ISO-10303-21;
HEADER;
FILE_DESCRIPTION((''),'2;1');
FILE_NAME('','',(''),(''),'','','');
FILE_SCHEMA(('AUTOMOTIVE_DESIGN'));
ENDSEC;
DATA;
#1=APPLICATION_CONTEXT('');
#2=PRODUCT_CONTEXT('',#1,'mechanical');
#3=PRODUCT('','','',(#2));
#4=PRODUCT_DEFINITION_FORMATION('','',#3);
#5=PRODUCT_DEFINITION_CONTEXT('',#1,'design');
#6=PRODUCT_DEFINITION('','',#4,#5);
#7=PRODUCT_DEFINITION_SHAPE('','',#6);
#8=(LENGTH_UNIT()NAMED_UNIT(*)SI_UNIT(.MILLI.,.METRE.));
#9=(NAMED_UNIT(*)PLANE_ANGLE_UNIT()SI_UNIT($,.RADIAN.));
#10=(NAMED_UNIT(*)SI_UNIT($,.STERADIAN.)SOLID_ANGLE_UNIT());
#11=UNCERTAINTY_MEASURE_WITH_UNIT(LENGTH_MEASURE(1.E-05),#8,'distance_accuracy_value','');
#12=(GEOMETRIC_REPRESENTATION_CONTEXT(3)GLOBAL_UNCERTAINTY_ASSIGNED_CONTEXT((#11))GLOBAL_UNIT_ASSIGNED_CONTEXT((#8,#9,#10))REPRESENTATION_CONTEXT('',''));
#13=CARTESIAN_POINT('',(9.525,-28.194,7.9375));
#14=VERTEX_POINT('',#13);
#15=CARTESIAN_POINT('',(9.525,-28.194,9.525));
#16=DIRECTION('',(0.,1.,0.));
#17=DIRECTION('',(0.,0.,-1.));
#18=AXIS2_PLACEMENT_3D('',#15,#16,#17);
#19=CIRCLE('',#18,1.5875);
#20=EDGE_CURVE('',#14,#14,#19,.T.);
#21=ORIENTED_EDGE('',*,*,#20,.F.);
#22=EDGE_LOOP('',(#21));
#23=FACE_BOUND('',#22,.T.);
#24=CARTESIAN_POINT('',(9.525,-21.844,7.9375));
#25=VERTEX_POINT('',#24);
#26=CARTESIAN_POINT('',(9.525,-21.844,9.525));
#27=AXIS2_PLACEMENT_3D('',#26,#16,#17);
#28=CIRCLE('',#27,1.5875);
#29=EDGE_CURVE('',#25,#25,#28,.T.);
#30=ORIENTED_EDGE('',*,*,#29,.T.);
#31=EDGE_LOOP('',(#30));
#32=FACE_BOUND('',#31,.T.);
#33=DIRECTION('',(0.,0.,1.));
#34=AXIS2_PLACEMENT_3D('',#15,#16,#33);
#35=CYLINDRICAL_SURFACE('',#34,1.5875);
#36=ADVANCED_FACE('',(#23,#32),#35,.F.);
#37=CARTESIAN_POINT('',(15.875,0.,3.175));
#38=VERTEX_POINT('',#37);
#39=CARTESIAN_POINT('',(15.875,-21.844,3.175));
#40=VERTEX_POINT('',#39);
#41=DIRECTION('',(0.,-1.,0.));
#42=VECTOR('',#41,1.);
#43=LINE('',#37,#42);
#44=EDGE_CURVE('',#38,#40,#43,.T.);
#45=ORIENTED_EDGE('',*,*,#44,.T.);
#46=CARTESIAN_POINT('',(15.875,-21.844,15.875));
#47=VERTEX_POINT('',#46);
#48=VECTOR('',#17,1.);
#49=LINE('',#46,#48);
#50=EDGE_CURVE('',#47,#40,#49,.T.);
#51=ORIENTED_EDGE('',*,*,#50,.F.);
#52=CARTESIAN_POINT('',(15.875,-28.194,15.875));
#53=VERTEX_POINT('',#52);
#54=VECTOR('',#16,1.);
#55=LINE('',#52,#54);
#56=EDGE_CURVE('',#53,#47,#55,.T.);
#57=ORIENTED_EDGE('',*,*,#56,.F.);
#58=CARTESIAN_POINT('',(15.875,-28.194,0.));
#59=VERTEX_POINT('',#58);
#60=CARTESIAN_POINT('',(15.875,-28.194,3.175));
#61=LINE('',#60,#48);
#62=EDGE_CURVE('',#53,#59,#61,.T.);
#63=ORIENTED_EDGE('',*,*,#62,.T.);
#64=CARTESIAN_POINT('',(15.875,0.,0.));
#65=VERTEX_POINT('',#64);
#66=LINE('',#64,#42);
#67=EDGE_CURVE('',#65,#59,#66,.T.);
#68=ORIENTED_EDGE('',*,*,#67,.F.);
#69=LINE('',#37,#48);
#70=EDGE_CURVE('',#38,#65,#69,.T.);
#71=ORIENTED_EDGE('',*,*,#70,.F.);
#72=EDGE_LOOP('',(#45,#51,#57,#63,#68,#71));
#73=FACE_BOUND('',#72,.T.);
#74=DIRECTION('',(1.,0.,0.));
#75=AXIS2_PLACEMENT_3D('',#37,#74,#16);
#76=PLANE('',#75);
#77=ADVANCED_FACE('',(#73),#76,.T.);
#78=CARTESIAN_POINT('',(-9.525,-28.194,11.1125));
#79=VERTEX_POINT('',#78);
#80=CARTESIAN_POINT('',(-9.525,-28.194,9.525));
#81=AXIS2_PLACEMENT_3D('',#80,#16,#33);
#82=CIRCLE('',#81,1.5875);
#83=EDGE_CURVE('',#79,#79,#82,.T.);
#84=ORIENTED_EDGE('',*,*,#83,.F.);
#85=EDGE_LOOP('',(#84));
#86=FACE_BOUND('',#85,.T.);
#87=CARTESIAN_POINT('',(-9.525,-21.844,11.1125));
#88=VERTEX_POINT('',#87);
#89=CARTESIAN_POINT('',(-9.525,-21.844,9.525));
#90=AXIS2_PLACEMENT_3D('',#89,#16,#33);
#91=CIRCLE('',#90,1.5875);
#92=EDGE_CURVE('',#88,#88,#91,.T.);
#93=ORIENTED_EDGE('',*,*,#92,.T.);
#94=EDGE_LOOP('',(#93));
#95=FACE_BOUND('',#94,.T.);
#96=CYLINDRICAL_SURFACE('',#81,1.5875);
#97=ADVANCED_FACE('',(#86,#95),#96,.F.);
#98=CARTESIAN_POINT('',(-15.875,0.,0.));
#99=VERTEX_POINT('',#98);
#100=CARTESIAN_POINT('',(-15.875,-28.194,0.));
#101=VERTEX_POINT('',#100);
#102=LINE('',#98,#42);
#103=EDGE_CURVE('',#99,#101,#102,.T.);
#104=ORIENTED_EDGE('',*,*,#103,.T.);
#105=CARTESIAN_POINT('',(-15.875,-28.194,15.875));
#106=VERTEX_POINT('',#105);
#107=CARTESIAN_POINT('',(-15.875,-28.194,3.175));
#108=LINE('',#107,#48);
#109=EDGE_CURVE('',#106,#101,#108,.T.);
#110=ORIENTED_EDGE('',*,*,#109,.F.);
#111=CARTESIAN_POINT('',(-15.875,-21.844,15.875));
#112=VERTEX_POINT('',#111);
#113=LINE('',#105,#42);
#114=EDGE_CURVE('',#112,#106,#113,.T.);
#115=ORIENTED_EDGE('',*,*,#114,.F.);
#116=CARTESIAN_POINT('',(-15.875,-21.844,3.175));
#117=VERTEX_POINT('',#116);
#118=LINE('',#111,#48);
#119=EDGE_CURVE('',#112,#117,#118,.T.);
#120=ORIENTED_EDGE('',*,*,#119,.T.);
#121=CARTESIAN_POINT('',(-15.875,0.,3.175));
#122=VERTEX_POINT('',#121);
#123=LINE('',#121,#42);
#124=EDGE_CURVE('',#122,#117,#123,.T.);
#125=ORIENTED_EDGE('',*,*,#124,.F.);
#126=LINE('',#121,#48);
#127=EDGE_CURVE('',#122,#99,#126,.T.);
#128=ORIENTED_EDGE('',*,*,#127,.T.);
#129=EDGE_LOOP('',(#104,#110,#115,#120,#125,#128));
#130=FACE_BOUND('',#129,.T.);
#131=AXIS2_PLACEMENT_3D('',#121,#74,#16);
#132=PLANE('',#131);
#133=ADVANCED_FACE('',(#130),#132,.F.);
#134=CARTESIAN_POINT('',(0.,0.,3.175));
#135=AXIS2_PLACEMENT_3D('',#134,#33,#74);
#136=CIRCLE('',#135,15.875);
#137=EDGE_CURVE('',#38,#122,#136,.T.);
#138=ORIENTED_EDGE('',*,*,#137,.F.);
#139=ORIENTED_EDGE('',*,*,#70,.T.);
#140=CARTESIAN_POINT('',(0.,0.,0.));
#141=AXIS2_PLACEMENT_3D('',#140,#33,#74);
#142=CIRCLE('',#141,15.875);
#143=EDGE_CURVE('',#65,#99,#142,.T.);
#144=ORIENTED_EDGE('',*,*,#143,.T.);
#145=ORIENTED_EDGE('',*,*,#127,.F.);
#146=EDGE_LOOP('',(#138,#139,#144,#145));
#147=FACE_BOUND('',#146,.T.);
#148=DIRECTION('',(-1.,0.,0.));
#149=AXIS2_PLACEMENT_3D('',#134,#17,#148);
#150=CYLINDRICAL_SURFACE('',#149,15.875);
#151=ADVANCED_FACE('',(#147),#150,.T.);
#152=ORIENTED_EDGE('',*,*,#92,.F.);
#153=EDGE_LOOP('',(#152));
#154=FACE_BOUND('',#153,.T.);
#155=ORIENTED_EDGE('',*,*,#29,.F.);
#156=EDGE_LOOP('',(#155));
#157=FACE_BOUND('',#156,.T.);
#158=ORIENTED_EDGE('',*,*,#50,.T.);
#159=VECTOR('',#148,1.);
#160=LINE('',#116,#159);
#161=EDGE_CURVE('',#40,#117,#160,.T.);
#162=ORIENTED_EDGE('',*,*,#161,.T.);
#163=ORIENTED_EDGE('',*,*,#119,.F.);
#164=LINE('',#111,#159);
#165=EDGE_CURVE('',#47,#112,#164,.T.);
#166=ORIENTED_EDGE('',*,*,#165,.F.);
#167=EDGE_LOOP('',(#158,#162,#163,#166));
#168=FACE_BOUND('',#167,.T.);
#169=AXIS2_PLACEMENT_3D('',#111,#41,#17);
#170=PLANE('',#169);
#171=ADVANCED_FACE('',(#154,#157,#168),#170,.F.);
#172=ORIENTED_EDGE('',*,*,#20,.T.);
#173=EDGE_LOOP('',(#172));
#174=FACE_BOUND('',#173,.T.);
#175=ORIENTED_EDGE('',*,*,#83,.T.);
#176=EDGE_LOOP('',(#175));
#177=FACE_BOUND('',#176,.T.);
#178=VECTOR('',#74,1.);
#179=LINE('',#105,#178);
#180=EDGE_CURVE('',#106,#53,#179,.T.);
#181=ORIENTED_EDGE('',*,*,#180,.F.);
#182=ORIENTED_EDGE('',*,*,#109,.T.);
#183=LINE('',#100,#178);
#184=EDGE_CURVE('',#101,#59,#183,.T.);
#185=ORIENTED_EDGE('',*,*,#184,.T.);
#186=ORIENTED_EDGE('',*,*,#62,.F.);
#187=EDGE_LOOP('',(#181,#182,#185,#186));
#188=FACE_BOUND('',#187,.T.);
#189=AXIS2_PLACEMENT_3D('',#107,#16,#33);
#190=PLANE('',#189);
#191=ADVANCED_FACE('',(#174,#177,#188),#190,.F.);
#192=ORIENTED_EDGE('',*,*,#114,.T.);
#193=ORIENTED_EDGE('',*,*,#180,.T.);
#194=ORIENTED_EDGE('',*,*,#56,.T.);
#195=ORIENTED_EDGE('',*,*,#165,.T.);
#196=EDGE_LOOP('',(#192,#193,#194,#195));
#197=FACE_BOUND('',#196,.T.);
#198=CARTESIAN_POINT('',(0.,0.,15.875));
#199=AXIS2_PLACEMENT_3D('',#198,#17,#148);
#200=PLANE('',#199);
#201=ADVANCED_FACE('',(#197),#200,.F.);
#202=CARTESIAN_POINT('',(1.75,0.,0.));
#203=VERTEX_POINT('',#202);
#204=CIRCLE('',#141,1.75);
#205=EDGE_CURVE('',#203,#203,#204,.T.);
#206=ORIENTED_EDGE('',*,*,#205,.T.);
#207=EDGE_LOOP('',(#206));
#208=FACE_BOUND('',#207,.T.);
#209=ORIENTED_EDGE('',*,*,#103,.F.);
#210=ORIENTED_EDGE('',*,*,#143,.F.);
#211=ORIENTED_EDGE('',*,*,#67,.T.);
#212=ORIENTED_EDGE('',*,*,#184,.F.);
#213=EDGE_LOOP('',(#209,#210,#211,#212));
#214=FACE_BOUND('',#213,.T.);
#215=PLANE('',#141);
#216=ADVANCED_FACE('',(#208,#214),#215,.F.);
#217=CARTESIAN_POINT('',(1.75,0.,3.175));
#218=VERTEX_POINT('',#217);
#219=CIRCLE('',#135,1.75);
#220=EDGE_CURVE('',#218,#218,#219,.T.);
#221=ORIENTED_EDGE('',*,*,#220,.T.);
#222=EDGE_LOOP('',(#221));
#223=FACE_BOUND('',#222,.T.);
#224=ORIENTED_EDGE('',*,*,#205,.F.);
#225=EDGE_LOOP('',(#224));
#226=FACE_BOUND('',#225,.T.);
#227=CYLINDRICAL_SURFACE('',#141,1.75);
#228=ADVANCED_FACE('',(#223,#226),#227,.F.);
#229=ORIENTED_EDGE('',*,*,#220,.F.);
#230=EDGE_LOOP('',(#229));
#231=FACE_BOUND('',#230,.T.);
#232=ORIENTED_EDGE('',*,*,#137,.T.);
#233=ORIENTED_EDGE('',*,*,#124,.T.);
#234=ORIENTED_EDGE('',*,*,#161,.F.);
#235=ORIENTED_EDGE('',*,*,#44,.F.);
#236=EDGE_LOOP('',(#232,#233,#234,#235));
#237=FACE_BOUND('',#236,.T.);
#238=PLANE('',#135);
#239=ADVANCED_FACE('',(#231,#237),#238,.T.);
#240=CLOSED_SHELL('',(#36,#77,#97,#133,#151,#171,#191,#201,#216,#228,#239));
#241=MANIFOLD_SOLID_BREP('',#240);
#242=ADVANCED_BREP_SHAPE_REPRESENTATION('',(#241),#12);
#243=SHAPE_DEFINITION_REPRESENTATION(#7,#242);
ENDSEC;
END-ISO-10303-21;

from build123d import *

# Parameters (mm, degrees)
BOSS_EXTRUDE1_DEPTH = 3.175
SKETCH4_W           = 31.75
SKETCH4_H           = 6.35
BOSS_EXTRUDE2_DEPTH = 12.7
SKETCH5_R           = 1.5875
CUT_EXTRUDE2_DEPTH  = 44.894808474
SKETCH6_R           = 1.75
CUT_EXTRUDE3_DEPTH  = 35.759275899


with BuildPart() as part:
    # Sketch1 → Boss-Extrude1 (new body)
    with BuildSketch(Plane.XY):
        with BuildLine():
            ThreePointArc((15.875, 0), (0, 15.875), (-15.875, 0))
            Line((-15.875, 0), (15.875, 0))
        make_face()
        with BuildLine():
            ThreePointArc((15.875, 0), (0, -15.875), (-15.875, 0))
            Line((-15.875, 0), (-15.875, -28.194))
            Line((-15.875, -28.194), (15.875, -28.194))
            Line((15.875, -28.194), (15.875, 0))
        make_face()
        with BuildLine():
            Line((15.875, 0), (-15.875, 0))
            ThreePointArc((-15.875, 0), (0, -15.875), (15.875, 0))
        make_face()
    extrude(amount=BOSS_EXTRUDE1_DEPTH)

    # Sketch4 → Boss-Extrude2 (add)
    with BuildSketch(Plane.XY.offset(3.175)):
        with Locations((0, -25.019)):
            Rectangle(SKETCH4_W, SKETCH4_H)
    extrude(amount=BOSS_EXTRUDE2_DEPTH)

    # Sketch5 → Cut-Extrude2 (cut, through all)
    with BuildSketch(Plane(origin=(0, -21.844, 0), x_dir=(1, 0, 0), z_dir=(0, 1, 0))):
        with Locations(Location((-9.525, -9.525, 0), (0, 0, 270))):
            Circle(SKETCH5_R)
        with Locations(Location((9.525, -9.525, 0), (0, 0, 90))):
            Circle(SKETCH5_R)
    extrude(amount=-CUT_EXTRUDE2_DEPTH, mode=Mode.SUBTRACT)

    # Sketch6 → Cut-Extrude3 (cut, through all)
    with BuildSketch(Plane.XY.offset(3.175)):
        Circle(SKETCH6_R)
    extrude(amount=-CUT_EXTRUDE3_DEPTH, mode=Mode.SUBTRACT)


solid = part.part
